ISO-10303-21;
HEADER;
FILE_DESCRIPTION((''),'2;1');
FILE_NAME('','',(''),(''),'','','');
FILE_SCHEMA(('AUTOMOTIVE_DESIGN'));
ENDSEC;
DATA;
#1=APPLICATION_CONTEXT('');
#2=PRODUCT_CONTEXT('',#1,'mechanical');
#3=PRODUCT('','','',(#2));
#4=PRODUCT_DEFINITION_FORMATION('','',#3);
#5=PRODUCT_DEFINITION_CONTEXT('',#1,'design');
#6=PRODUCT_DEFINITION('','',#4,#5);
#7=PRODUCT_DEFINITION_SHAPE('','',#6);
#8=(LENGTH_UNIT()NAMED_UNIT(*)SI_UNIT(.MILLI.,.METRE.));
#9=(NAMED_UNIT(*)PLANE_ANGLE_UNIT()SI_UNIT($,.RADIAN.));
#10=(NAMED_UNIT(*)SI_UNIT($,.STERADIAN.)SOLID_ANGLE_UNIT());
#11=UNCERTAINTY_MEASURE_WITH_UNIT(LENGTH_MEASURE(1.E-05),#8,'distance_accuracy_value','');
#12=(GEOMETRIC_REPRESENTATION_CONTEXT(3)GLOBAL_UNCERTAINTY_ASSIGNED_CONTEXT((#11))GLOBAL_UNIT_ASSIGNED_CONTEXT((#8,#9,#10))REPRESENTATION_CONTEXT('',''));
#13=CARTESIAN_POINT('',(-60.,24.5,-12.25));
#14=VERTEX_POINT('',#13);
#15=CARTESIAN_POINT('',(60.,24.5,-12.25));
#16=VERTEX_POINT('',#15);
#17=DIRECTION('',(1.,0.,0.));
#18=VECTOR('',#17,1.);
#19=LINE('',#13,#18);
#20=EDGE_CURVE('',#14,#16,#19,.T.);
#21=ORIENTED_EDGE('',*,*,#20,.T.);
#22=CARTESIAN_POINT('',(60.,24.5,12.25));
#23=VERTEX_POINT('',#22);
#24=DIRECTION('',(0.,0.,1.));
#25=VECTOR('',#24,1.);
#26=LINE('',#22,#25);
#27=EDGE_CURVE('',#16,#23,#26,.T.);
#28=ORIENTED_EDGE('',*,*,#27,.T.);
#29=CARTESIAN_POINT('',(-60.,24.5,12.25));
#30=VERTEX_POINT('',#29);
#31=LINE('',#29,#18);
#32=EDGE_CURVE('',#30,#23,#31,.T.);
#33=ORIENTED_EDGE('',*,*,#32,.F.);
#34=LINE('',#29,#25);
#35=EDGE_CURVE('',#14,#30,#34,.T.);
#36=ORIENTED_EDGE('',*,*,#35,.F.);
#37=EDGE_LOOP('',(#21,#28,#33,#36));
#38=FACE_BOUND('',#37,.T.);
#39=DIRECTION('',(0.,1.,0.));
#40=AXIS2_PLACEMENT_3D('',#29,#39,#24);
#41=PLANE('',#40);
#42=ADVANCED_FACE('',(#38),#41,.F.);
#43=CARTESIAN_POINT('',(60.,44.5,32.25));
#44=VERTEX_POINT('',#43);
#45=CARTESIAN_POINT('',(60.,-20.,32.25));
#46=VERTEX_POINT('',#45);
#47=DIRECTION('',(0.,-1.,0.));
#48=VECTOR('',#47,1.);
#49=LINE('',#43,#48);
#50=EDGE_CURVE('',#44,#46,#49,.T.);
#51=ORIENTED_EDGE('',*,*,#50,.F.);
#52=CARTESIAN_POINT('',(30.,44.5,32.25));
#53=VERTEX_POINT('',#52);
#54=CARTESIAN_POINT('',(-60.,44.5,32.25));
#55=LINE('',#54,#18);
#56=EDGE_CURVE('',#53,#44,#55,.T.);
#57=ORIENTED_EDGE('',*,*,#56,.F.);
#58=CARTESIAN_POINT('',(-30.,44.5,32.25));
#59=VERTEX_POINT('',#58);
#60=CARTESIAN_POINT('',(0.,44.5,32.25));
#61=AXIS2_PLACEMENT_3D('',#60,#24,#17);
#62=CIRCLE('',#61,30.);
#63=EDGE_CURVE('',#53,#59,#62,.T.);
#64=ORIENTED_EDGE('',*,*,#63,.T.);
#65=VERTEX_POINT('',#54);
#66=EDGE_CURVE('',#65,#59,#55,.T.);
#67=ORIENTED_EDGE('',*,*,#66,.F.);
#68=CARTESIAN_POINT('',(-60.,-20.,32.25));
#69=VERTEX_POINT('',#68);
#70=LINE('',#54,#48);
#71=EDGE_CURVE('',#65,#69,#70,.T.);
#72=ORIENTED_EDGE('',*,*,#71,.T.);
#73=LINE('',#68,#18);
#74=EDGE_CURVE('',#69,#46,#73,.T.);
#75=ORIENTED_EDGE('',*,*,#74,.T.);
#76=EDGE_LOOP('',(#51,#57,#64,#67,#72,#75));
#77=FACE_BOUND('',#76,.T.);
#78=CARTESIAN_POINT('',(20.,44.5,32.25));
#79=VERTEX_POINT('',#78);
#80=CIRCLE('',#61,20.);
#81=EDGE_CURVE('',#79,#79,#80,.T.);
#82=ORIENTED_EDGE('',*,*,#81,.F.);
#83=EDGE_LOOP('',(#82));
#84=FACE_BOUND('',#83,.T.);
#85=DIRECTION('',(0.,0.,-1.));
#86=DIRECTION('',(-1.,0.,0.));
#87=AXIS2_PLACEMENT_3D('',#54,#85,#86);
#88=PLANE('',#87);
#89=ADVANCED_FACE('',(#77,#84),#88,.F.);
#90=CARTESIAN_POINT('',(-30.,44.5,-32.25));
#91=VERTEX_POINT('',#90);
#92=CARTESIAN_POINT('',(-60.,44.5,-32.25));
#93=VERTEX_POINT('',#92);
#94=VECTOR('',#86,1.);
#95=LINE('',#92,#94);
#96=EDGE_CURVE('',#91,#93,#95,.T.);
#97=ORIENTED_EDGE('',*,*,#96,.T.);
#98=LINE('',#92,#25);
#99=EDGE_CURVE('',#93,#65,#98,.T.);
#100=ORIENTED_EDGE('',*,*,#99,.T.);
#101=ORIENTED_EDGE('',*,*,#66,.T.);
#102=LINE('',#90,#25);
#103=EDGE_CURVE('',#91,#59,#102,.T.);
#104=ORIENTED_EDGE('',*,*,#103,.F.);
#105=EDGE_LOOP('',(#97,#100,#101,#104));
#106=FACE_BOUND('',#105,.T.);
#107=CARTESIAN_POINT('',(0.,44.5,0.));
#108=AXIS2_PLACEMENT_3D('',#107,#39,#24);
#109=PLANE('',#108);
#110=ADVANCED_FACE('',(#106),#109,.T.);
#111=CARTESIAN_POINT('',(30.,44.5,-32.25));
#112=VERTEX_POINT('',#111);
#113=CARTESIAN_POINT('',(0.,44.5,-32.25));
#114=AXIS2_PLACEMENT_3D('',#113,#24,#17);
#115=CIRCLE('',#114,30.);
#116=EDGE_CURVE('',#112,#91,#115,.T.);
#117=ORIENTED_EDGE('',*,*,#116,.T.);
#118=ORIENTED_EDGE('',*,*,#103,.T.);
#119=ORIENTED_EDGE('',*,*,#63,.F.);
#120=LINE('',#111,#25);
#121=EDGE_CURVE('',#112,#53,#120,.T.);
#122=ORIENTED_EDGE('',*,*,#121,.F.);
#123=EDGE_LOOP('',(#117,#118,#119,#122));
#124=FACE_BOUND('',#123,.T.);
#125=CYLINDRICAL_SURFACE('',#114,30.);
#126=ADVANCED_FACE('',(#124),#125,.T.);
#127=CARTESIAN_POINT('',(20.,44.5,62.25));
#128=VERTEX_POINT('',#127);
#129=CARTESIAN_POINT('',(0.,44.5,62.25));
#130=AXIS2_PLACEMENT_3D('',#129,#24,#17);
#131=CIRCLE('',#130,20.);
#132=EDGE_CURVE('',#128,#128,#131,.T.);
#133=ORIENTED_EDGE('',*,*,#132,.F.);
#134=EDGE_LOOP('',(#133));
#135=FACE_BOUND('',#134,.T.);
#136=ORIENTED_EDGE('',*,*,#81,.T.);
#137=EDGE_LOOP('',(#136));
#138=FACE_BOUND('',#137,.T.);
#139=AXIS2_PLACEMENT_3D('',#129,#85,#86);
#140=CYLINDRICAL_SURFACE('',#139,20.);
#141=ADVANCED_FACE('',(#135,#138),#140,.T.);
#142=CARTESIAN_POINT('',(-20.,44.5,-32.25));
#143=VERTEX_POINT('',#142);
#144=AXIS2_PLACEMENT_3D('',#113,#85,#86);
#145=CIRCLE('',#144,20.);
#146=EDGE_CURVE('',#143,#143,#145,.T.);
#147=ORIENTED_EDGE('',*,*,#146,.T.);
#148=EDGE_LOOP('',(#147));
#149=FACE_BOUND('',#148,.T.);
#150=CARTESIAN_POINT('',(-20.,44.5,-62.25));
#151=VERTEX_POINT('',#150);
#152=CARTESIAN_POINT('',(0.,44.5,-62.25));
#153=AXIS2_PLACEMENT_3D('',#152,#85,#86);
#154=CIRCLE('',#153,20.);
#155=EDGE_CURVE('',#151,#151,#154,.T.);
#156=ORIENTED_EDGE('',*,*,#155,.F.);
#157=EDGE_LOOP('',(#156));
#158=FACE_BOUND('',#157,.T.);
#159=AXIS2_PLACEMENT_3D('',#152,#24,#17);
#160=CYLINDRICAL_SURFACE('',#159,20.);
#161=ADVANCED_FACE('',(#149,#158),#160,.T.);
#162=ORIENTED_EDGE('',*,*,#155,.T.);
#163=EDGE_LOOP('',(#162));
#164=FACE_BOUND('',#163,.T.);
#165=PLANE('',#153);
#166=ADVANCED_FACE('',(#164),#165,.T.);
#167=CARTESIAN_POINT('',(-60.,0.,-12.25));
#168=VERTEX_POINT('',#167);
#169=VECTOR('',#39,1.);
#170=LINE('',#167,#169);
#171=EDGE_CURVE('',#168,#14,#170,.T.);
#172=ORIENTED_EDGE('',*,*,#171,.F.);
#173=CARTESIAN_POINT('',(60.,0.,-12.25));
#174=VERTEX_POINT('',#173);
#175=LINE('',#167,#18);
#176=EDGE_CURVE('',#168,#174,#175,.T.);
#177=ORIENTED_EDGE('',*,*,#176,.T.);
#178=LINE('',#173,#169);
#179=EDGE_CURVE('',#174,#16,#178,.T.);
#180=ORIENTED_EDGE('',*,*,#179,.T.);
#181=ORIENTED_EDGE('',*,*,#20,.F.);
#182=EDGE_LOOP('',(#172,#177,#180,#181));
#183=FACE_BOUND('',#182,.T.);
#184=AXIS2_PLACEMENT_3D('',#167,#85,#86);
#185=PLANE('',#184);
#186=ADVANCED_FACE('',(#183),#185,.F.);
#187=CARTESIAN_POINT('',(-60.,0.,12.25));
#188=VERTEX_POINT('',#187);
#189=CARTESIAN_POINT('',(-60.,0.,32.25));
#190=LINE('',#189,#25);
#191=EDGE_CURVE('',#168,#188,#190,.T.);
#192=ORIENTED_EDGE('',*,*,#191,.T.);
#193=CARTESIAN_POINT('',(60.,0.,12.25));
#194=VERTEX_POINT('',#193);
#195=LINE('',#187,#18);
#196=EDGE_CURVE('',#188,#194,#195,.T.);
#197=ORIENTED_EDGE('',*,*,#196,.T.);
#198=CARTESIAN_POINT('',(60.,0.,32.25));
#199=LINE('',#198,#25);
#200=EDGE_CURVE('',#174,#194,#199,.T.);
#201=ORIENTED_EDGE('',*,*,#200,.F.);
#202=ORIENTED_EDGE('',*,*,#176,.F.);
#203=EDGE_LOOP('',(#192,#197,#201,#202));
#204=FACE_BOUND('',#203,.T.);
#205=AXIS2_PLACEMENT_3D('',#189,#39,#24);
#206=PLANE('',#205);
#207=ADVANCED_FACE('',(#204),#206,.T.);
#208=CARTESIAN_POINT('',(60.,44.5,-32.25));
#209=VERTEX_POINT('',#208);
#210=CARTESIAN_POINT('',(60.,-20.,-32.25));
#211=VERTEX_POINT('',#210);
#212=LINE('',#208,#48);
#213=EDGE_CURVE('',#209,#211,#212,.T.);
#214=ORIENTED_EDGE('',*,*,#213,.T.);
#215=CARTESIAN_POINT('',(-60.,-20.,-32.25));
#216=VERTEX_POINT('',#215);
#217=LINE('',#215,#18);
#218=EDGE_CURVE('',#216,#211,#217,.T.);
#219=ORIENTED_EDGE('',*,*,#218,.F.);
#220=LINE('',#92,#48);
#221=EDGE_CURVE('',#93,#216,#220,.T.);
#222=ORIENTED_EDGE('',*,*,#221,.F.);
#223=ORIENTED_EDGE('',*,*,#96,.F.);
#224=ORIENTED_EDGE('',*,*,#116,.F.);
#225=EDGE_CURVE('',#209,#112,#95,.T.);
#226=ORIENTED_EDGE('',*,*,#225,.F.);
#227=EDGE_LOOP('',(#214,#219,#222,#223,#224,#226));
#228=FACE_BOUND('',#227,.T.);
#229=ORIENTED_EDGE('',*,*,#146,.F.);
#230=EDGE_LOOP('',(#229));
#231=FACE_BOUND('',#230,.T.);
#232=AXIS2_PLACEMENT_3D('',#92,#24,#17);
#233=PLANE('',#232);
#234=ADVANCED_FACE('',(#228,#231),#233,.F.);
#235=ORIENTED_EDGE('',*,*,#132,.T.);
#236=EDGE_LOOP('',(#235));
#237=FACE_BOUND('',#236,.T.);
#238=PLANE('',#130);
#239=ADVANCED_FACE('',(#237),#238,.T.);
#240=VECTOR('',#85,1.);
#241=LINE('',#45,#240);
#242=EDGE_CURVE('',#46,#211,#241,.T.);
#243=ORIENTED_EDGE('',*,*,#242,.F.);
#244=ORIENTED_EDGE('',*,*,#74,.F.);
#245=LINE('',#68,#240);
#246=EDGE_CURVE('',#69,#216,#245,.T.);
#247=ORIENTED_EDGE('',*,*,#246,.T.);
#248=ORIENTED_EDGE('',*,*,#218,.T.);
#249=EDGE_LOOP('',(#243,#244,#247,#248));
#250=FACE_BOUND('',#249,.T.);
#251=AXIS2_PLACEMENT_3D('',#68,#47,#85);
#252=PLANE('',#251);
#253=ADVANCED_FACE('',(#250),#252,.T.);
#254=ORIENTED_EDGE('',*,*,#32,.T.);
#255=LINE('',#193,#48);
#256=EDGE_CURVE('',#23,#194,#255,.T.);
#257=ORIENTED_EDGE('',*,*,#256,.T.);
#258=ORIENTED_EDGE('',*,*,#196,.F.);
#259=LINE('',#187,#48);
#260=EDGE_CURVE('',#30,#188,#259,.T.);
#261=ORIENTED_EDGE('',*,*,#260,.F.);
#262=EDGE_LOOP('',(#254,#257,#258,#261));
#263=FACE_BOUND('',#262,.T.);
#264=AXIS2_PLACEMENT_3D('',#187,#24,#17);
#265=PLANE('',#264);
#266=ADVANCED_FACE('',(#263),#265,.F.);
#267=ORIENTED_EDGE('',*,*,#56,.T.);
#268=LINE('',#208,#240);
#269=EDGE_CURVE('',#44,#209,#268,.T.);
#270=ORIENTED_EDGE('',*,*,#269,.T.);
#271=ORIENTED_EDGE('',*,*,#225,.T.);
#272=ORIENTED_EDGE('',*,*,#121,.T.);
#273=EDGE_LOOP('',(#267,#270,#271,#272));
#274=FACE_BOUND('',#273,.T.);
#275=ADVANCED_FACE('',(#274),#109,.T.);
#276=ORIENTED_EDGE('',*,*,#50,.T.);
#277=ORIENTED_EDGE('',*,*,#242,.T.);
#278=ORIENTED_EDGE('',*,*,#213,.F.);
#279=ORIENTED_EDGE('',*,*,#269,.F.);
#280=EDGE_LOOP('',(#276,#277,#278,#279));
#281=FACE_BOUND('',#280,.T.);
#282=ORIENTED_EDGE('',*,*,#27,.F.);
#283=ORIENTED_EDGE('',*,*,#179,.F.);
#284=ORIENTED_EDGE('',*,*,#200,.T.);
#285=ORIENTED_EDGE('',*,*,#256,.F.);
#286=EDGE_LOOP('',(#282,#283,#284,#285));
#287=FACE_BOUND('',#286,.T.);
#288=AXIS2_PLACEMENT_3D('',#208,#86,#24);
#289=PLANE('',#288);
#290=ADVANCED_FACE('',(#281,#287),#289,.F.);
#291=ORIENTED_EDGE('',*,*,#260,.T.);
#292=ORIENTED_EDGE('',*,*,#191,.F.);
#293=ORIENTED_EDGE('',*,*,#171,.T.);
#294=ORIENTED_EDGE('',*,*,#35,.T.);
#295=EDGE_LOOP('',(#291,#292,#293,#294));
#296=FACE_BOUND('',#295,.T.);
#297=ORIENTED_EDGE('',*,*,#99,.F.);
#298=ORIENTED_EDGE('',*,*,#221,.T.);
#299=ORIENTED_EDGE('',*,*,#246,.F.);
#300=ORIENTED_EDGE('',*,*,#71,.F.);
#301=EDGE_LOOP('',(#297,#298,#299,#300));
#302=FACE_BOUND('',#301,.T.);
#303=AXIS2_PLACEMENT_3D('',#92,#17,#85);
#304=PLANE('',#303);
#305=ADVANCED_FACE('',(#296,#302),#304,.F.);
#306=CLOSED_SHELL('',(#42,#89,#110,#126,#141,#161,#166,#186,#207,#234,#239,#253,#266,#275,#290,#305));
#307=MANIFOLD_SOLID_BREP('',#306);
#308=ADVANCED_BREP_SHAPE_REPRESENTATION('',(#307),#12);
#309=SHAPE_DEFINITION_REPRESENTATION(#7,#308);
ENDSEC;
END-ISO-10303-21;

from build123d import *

# Parameters (mm, degrees)
SKETCH_1_W          = 120
SKETCH_1_H          = 64.5
EXTRUDE_1_DEPTH     = 44.5
SKETCH_2_W          = 24.5
SKETCH_2_H          = 24.5
CUT_EXTRUDE_1_DEPTH = 121
EXTRUDE_2_DEPTH     = 64.5
SKETCH_4_R          = 20
EXTRUDE_3_DEPTH     = 30
SKETCH_5_R          = 20
EXTRUDE_4_DEPTH     = 30
SKETCH_6_W          = 64.5
SKETCH_6_H          = 20
EXTRUDE_5_DEPTH     = 120


with BuildPart() as part:
    # 草图1 → 凸台-拉伸1 (new body)
    with BuildSketch(Plane(origin=(0, 0, 0), x_dir=(1, 0, 0), z_dir=(0, 1, 0))):
        Rectangle(SKETCH_1_W, SKETCH_1_H)
    extrude(amount=EXTRUDE_1_DEPTH)

    # 草图2 → 切除-拉伸1 (cut, through all)
    with BuildSketch(Plane(origin=(60, 0, 0), x_dir=(0, 0, -1), z_dir=(1, 0, 0))):
        with Locations((0, 12.25)):
            Rectangle(SKETCH_2_W, SKETCH_2_H)
    extrude(amount=-CUT_EXTRUDE_1_DEPTH, mode=Mode.SUBTRACT)

    # 草图3 → 凸台-拉伸2 (add)
    with BuildSketch(Plane.XY.offset(32.25)):
        with BuildLine():
            Line((-30, 44.5), (30, 44.5))
            ThreePointArc((30, 44.5), (0, 74.5), (-30, 44.5))
        make_face()
    extrude(amount=-EXTRUDE_2_DEPTH)

    # 草图4 → 凸台-拉伸3 (add)
    with BuildSketch(Plane.XY.offset(32.25)):
        with Locations((0, 44.5)):
            Circle(SKETCH_4_R)
    extrude(amount=EXTRUDE_3_DEPTH)

    # 草图5 → 凸台-拉伸4 (add)
    with BuildSketch(Plane(origin=(0, 0, -32.25), x_dir=(-1, 0, 0), z_dir=(0, 0, -1))):
        with Locations((0, 44.5)):
            Circle(SKETCH_5_R)
    extrude(amount=EXTRUDE_4_DEPTH)

    # 草图6 → 凸台-拉伸5 (add)
    with BuildSketch(Plane(origin=(60, 0, 0), x_dir=(0, 0, -1), z_dir=(1, 0, 0))):
        with Locations((0, -10)):
            Rectangle(SKETCH_6_W, SKETCH_6_H)
    extrude(amount=-EXTRUDE_5_DEPTH)


solid = part.part
